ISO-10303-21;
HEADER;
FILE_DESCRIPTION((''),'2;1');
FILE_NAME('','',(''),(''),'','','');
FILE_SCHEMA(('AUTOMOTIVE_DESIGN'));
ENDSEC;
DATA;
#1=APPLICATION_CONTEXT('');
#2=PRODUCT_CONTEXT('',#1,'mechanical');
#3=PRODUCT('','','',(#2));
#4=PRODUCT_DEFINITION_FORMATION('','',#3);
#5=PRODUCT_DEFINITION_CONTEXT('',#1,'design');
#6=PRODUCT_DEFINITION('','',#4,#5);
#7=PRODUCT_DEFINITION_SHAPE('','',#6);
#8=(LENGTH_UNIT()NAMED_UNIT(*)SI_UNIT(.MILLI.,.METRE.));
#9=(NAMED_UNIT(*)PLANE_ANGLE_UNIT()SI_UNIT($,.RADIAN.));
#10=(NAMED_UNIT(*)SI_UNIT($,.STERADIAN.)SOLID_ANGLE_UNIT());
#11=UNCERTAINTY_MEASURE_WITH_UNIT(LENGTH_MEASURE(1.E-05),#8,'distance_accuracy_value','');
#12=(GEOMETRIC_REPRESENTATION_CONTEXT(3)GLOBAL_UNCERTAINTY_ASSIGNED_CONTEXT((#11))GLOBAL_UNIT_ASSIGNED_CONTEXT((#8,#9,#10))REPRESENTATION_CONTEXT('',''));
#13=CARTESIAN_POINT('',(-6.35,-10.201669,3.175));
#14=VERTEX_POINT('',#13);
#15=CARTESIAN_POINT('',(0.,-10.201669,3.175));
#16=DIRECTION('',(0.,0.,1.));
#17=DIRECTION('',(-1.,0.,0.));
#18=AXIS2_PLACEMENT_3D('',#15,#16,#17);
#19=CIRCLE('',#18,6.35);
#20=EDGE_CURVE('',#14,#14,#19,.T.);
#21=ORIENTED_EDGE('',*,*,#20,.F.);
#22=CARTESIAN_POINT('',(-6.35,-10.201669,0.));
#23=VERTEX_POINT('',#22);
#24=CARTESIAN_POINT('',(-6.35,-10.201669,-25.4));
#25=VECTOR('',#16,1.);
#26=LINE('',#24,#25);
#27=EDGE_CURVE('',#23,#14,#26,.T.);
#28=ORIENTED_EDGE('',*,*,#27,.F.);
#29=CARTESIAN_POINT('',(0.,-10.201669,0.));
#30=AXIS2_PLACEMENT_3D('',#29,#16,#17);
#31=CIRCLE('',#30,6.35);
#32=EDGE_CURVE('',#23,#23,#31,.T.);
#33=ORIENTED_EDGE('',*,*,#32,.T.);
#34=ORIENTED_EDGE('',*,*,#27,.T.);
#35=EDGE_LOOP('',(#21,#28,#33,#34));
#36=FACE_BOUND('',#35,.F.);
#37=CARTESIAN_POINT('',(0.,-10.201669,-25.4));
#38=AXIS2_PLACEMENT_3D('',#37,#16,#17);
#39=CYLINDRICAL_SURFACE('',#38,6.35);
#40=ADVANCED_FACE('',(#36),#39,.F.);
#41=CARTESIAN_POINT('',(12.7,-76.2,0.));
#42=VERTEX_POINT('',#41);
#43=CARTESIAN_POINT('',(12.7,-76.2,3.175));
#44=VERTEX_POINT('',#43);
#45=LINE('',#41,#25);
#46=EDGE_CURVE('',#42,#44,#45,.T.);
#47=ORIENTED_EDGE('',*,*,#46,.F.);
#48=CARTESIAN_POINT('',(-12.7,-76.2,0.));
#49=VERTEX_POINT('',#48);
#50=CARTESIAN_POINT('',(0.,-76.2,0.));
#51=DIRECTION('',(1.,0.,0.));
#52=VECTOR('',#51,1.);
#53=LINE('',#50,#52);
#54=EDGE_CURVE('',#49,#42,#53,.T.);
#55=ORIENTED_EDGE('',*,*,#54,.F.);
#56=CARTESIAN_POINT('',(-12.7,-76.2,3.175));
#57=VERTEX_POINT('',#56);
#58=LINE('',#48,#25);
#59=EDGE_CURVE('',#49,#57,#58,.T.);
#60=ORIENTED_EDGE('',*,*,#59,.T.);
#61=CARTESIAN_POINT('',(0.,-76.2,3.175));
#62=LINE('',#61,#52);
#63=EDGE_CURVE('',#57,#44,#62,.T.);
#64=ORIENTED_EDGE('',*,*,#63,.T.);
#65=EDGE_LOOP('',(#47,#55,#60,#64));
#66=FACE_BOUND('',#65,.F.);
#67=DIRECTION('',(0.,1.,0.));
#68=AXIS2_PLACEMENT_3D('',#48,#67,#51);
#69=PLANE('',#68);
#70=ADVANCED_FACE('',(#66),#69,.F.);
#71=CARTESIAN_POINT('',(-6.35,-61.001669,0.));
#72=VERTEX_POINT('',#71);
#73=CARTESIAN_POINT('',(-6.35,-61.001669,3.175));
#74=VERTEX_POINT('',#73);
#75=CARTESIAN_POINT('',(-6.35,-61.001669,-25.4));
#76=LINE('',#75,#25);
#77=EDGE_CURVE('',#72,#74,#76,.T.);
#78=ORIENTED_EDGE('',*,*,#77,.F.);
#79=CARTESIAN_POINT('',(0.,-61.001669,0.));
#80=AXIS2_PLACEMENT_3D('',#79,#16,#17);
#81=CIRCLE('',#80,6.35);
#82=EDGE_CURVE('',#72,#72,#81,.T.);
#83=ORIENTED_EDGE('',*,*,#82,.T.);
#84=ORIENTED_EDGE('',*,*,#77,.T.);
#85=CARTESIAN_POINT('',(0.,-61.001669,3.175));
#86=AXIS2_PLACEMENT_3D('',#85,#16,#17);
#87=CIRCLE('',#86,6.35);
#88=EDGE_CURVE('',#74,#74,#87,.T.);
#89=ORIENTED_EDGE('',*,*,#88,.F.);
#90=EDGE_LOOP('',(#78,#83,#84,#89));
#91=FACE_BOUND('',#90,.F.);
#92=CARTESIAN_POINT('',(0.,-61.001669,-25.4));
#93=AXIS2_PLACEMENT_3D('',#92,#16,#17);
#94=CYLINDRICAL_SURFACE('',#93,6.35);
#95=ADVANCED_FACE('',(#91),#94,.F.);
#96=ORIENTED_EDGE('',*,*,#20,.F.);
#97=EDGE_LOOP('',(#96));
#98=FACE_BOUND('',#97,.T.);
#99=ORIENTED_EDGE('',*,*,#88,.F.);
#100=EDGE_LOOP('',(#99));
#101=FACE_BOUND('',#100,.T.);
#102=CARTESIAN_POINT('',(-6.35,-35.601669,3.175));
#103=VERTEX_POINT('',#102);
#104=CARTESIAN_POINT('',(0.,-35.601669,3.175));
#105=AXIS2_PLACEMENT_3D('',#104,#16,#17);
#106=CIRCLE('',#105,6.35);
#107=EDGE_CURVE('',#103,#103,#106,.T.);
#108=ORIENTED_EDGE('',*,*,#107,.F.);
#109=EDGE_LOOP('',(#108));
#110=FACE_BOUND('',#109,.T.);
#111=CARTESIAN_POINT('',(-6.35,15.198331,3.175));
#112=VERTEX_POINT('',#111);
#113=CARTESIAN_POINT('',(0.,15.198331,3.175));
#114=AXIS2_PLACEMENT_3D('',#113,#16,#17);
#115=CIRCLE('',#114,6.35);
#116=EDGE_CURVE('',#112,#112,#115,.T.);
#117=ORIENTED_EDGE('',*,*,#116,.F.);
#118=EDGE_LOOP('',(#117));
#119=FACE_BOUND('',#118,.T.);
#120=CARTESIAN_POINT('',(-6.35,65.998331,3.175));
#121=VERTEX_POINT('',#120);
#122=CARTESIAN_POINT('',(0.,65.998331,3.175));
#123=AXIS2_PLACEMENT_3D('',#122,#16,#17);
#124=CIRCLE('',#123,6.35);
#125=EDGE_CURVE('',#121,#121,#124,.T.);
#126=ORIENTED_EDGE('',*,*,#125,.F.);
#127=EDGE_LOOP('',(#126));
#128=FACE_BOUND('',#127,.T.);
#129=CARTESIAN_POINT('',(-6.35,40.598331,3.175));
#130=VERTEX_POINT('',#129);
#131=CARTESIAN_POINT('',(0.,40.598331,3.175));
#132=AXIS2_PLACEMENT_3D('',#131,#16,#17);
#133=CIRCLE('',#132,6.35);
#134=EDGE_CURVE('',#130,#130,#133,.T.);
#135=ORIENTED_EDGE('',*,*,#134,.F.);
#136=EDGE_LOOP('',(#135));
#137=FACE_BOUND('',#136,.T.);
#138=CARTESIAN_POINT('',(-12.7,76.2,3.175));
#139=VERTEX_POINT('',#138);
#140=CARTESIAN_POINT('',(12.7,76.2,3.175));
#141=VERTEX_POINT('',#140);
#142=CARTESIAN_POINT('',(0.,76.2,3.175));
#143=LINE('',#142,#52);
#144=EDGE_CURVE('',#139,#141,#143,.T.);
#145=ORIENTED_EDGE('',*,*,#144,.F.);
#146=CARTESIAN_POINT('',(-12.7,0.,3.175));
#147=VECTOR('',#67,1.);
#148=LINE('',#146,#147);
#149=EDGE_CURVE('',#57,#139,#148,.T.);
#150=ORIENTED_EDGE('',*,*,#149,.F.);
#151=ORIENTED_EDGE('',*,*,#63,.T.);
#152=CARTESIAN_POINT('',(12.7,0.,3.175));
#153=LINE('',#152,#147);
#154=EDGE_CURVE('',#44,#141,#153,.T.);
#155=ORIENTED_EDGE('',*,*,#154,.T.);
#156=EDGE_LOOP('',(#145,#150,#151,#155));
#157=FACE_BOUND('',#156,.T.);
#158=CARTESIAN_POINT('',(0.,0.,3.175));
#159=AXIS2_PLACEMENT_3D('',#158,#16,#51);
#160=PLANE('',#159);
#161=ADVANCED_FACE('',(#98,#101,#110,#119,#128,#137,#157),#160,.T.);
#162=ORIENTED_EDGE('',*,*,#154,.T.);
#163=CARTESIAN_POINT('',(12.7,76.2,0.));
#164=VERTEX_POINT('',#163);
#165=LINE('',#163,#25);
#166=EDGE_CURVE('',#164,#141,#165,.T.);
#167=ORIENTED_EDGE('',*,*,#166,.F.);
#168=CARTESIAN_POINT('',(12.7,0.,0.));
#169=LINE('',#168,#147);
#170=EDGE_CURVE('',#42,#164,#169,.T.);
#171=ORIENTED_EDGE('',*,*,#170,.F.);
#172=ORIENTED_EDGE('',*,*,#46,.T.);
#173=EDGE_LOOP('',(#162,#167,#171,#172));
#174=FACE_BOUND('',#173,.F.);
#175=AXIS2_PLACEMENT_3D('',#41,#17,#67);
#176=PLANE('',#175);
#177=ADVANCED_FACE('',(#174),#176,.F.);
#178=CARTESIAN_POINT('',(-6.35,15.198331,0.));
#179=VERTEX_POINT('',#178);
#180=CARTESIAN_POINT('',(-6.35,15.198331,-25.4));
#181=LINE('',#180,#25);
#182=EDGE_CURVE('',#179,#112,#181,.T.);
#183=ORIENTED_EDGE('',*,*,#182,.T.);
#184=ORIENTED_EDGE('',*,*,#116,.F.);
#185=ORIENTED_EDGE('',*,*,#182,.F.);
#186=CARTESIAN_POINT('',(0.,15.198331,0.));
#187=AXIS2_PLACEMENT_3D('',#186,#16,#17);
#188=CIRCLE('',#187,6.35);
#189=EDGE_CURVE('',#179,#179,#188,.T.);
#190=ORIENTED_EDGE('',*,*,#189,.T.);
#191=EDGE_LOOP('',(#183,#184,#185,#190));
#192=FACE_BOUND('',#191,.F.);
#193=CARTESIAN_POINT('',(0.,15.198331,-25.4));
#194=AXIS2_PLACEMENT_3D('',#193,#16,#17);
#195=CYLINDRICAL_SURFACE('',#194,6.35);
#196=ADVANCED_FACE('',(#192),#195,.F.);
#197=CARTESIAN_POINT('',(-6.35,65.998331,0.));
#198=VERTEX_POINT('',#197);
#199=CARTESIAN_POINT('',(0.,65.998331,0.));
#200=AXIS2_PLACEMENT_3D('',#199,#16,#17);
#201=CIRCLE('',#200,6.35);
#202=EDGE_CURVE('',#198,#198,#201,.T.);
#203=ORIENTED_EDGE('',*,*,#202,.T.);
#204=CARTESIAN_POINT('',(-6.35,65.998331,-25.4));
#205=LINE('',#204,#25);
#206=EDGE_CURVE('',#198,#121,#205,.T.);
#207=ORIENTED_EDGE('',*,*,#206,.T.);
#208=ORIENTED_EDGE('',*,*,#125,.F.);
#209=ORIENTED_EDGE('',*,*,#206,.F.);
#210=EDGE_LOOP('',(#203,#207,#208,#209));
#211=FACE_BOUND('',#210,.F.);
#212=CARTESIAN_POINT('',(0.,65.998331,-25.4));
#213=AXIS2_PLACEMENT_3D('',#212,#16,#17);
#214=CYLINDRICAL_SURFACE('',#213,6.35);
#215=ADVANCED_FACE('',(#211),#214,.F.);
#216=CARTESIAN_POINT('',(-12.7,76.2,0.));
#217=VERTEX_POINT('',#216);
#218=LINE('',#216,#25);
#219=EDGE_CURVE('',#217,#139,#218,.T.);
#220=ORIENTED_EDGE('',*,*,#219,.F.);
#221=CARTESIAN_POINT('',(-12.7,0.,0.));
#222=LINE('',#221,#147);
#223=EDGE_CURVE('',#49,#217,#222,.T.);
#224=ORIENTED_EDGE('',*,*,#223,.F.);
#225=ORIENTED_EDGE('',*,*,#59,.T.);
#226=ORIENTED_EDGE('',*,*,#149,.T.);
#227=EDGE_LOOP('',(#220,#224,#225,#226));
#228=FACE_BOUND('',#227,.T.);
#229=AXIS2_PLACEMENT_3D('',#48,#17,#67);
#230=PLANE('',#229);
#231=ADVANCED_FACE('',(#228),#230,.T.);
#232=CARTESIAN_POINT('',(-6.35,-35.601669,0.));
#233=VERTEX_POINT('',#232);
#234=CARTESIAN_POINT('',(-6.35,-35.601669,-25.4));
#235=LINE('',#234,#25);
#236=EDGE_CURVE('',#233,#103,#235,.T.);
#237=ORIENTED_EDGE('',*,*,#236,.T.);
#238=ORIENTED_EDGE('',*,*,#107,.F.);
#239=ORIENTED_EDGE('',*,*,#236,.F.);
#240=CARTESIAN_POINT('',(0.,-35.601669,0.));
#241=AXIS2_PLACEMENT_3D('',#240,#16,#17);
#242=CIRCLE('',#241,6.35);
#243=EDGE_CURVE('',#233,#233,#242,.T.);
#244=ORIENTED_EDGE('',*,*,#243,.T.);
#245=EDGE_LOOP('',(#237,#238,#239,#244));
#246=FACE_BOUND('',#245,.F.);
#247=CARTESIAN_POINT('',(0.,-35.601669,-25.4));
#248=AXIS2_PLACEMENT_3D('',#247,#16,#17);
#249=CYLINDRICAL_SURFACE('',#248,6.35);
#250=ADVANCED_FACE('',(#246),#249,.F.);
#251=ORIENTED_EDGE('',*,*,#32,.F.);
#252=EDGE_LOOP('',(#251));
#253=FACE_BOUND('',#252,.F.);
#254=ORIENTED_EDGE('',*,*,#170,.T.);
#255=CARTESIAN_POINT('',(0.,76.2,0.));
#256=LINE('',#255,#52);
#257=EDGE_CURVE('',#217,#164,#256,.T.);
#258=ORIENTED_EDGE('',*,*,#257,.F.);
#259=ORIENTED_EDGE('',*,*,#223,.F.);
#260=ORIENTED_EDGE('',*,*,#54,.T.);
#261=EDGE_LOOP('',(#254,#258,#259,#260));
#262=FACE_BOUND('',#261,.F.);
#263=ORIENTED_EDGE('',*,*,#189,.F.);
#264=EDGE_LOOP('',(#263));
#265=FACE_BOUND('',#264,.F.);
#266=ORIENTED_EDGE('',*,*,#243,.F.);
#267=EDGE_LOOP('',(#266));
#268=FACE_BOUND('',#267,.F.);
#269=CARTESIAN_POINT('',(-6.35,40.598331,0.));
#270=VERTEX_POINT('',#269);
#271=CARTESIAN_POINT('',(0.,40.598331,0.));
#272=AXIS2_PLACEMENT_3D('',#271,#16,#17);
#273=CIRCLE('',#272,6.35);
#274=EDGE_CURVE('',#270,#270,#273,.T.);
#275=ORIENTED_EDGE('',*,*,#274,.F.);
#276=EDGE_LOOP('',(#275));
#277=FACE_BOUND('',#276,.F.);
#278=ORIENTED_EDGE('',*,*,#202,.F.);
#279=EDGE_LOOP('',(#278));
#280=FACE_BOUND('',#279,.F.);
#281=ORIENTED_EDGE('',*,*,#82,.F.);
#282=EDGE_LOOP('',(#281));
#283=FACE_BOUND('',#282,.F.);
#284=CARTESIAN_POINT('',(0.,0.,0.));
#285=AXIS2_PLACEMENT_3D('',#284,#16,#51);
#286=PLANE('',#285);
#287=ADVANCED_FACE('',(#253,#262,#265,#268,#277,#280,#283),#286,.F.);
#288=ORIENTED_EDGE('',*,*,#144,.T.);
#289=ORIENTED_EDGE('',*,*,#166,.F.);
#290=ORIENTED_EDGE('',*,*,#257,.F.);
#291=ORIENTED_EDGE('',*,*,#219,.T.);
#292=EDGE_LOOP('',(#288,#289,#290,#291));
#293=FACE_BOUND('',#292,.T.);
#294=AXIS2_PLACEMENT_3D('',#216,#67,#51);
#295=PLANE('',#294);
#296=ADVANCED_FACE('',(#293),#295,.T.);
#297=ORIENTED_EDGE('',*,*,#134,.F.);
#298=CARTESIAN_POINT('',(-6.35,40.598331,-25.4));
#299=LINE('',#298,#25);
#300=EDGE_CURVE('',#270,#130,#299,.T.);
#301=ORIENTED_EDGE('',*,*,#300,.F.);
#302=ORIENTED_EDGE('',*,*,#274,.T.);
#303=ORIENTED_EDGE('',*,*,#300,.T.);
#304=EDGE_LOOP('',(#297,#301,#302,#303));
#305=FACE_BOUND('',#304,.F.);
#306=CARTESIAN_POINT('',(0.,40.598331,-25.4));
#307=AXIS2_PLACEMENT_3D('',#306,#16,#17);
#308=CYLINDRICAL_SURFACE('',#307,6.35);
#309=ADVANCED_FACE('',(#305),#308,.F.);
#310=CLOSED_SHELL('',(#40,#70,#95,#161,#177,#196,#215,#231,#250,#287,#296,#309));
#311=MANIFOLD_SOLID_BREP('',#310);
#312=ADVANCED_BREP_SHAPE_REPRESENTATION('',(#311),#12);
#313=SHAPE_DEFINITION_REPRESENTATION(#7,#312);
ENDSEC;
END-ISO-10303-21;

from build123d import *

# Parameters (mm, degrees)
F0_W     = 25.4
F0_H     = 152.4
F1_DEPTH = 3.175
F3_D     = 12.7
F3_DEPTH = 25.4
F3_TIP   = 3.8154649308
F4_D     = 12.7
F4_DEPTH = 25.4
F4_TIP   = 3.8154649308


with BuildPart() as f1:
    # F0 (on Top) → F1 (new body)
    with BuildSketch(Plane.XY):
        Rectangle(F0_W, F0_H)
    extrude(amount=F1_DEPTH)

    # F3
    with Locations(Plane(origin=(0, 0, 0), x_dir=(1, 0, 0), z_dir=(0, 0, -1))):
        with Locations((0, 61.0016693357)):
            Hole(F3_D / 2, depth=F3_DEPTH)
            with Locations((0, 0, -(F3_DEPTH + F3_TIP / 2))):  # 118° drill point
                Cone(0, F3_D / 2, F3_TIP, mode=Mode.SUBTRACT)

    # F4
    with Locations(Plane(origin=(0, 0, 0), x_dir=(1, 0, 0), z_dir=(0, 0, -1))):
        with Locations((0, 35.6016693357), (0, 10.2016693357), (0, -15.1983306643), (0, -40.5983306643), (0, -65.9983306643), (0, -91.3983306643), (0, -116.7983306643), (0, -142.1983306643)):
            Hole(F4_D / 2, depth=F4_DEPTH)
            with Locations((0, 0, -(F4_DEPTH + F4_TIP / 2))):  # 118° drill point
                Cone(0, F4_D / 2, F4_TIP, mode=Mode.SUBTRACT)


solid = f1.part
